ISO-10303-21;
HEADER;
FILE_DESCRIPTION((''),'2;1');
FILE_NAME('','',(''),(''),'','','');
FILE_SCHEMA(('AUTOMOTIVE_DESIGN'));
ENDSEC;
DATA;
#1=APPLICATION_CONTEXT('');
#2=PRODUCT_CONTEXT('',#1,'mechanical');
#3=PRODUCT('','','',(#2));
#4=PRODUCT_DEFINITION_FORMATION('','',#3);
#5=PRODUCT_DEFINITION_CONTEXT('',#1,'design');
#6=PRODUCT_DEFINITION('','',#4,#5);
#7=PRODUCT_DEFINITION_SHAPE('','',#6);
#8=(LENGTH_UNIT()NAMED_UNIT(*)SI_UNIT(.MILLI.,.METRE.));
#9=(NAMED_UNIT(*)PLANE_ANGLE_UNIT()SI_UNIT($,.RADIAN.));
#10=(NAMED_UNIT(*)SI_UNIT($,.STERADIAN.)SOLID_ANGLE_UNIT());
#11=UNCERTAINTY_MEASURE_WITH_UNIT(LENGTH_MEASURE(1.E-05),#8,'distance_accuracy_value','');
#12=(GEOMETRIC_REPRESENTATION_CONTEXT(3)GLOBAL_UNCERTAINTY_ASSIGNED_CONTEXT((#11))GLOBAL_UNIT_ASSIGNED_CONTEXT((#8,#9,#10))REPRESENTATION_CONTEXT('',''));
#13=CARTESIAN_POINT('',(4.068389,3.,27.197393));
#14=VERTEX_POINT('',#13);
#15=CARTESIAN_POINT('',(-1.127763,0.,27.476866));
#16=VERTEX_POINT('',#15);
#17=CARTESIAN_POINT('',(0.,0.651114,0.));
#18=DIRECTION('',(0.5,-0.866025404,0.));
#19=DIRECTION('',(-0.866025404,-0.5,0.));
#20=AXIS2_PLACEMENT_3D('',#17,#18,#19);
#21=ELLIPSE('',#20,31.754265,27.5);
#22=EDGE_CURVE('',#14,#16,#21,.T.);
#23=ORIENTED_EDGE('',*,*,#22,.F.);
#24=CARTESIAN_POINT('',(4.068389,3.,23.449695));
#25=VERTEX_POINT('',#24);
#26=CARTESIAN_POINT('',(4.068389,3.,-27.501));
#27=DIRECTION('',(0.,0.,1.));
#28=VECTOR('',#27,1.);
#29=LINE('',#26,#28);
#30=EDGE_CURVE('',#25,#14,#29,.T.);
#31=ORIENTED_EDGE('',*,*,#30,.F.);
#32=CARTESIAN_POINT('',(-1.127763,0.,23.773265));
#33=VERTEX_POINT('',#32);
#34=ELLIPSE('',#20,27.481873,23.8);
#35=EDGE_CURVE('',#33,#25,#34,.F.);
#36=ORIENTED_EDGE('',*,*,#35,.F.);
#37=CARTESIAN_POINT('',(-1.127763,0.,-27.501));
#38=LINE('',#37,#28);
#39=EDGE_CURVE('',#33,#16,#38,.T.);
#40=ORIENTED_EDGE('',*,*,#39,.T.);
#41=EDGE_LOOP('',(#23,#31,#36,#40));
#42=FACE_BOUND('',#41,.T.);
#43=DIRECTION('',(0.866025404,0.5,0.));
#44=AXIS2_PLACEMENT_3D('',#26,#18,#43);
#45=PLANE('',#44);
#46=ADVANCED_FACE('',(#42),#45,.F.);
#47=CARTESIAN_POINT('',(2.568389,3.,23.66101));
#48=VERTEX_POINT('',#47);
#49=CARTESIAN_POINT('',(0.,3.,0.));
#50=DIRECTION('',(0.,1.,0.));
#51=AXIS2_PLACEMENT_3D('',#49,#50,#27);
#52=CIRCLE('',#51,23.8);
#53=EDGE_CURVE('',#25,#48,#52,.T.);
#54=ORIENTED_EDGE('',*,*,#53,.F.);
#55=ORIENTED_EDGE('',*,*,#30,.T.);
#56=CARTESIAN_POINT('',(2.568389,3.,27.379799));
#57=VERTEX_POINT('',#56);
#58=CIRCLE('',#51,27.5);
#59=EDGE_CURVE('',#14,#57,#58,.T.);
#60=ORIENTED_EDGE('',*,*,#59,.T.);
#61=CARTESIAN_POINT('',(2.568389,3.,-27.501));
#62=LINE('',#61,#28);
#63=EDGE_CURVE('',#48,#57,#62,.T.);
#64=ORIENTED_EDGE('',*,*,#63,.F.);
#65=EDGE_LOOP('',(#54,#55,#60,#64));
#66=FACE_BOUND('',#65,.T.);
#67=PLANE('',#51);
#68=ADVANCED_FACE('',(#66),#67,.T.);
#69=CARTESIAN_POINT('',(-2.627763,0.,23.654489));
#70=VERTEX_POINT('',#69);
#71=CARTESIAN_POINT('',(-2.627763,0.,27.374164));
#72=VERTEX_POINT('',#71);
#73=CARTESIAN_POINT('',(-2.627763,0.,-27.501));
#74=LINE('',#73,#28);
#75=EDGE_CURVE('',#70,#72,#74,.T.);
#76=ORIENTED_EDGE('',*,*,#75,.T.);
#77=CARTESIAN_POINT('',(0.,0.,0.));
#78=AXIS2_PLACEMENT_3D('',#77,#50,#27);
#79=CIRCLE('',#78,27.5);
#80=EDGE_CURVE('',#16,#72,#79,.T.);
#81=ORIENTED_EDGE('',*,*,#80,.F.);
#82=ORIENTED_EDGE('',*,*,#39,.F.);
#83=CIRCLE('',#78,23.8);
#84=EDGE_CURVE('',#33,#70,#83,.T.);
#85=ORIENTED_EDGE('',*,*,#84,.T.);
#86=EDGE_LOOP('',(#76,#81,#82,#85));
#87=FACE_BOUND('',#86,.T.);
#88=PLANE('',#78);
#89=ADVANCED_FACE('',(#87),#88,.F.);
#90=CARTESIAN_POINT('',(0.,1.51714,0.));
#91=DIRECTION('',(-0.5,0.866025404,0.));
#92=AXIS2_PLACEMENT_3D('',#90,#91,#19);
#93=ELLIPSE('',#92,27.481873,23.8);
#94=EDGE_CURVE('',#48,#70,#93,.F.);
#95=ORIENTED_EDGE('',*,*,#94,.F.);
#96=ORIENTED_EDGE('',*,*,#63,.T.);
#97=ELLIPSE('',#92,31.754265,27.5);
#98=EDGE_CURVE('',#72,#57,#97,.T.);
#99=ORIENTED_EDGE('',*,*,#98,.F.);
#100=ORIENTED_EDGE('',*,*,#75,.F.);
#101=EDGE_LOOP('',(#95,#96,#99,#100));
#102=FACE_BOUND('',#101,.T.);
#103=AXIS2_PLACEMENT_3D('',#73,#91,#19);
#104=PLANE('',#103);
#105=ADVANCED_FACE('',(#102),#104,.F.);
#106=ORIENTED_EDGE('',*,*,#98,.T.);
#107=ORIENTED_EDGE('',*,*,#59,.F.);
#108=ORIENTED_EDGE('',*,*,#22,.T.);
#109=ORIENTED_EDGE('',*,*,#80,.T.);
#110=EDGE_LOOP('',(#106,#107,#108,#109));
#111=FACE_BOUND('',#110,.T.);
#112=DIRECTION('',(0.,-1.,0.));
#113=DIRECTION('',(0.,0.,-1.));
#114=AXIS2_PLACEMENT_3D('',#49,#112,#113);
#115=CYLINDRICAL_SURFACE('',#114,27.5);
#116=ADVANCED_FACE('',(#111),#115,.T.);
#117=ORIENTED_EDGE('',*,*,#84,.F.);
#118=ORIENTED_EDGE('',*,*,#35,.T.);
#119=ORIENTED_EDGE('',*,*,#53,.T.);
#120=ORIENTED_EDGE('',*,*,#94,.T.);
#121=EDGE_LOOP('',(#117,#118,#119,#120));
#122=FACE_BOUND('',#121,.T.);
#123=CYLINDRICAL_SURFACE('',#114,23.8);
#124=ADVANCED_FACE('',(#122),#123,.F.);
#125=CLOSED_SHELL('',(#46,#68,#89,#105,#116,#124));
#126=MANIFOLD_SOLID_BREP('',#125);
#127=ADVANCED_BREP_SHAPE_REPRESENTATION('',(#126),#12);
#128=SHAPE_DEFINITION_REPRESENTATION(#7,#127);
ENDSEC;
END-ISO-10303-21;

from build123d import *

# Parameters (mm, degrees)
SKETCH1_R               = 27.5
SKETCH1_R_2             = 23.8
BOSS_EXTRUDE1_DEPTH     = 3
CUT_EXTRUDE1_REACH      = 63.565
CUT_EXTRUDE1_END_RADIUS = 23.8


with BuildPart() as part:
    # Sketch1 → Boss-Extrude1 (new body)
    with BuildSketch(Plane(origin=(0, 0, 0), x_dir=(1, 0, 0), z_dir=(0, 1, 0))):
        with Locations(Location((0, 0, 0), (0, 0, 270))):
            Circle(SKETCH1_R)
        with Locations(Location((0, 0, 0), (0, 0, 270))):
            Circle(SKETCH1_R_2, mode=Mode.SUBTRACT)
    extrude(amount=BOSS_EXTRUDE1_DEPTH)

    # Cut-Extrude1: up to this cylinder (the profile starts outside it)
    cut_extrude1_end = Plane(origin=(0, 1.5, 0), z_dir=(0, -1, 0)) * Cylinder(CUT_EXTRUDE1_END_RADIUS, 175.73, mode=Mode.PRIVATE)
    # Sketch2 → Cut-Extrude1 (cut, up to the surface)
    with BuildSketch(Plane.XY.offset(27.5), mode=Mode.PRIVATE) as cut_extrude1_sk1:
        Polygon((-2.627763182, 0), (2.56838924, 3), (4.06838924, 3), (-1.127763182, 0), align=None)
    cut_extrude1_tool1 = extrude(cut_extrude1_sk1.sketch, amount=-CUT_EXTRUDE1_REACH, mode=Mode.PRIVATE) - cut_extrude1_end
    add(cut_extrude1_tool1.solids().sort_by_distance((0.720313, 1.5, 27.5))[0], mode=Mode.SUBTRACT)


solid = part.part
